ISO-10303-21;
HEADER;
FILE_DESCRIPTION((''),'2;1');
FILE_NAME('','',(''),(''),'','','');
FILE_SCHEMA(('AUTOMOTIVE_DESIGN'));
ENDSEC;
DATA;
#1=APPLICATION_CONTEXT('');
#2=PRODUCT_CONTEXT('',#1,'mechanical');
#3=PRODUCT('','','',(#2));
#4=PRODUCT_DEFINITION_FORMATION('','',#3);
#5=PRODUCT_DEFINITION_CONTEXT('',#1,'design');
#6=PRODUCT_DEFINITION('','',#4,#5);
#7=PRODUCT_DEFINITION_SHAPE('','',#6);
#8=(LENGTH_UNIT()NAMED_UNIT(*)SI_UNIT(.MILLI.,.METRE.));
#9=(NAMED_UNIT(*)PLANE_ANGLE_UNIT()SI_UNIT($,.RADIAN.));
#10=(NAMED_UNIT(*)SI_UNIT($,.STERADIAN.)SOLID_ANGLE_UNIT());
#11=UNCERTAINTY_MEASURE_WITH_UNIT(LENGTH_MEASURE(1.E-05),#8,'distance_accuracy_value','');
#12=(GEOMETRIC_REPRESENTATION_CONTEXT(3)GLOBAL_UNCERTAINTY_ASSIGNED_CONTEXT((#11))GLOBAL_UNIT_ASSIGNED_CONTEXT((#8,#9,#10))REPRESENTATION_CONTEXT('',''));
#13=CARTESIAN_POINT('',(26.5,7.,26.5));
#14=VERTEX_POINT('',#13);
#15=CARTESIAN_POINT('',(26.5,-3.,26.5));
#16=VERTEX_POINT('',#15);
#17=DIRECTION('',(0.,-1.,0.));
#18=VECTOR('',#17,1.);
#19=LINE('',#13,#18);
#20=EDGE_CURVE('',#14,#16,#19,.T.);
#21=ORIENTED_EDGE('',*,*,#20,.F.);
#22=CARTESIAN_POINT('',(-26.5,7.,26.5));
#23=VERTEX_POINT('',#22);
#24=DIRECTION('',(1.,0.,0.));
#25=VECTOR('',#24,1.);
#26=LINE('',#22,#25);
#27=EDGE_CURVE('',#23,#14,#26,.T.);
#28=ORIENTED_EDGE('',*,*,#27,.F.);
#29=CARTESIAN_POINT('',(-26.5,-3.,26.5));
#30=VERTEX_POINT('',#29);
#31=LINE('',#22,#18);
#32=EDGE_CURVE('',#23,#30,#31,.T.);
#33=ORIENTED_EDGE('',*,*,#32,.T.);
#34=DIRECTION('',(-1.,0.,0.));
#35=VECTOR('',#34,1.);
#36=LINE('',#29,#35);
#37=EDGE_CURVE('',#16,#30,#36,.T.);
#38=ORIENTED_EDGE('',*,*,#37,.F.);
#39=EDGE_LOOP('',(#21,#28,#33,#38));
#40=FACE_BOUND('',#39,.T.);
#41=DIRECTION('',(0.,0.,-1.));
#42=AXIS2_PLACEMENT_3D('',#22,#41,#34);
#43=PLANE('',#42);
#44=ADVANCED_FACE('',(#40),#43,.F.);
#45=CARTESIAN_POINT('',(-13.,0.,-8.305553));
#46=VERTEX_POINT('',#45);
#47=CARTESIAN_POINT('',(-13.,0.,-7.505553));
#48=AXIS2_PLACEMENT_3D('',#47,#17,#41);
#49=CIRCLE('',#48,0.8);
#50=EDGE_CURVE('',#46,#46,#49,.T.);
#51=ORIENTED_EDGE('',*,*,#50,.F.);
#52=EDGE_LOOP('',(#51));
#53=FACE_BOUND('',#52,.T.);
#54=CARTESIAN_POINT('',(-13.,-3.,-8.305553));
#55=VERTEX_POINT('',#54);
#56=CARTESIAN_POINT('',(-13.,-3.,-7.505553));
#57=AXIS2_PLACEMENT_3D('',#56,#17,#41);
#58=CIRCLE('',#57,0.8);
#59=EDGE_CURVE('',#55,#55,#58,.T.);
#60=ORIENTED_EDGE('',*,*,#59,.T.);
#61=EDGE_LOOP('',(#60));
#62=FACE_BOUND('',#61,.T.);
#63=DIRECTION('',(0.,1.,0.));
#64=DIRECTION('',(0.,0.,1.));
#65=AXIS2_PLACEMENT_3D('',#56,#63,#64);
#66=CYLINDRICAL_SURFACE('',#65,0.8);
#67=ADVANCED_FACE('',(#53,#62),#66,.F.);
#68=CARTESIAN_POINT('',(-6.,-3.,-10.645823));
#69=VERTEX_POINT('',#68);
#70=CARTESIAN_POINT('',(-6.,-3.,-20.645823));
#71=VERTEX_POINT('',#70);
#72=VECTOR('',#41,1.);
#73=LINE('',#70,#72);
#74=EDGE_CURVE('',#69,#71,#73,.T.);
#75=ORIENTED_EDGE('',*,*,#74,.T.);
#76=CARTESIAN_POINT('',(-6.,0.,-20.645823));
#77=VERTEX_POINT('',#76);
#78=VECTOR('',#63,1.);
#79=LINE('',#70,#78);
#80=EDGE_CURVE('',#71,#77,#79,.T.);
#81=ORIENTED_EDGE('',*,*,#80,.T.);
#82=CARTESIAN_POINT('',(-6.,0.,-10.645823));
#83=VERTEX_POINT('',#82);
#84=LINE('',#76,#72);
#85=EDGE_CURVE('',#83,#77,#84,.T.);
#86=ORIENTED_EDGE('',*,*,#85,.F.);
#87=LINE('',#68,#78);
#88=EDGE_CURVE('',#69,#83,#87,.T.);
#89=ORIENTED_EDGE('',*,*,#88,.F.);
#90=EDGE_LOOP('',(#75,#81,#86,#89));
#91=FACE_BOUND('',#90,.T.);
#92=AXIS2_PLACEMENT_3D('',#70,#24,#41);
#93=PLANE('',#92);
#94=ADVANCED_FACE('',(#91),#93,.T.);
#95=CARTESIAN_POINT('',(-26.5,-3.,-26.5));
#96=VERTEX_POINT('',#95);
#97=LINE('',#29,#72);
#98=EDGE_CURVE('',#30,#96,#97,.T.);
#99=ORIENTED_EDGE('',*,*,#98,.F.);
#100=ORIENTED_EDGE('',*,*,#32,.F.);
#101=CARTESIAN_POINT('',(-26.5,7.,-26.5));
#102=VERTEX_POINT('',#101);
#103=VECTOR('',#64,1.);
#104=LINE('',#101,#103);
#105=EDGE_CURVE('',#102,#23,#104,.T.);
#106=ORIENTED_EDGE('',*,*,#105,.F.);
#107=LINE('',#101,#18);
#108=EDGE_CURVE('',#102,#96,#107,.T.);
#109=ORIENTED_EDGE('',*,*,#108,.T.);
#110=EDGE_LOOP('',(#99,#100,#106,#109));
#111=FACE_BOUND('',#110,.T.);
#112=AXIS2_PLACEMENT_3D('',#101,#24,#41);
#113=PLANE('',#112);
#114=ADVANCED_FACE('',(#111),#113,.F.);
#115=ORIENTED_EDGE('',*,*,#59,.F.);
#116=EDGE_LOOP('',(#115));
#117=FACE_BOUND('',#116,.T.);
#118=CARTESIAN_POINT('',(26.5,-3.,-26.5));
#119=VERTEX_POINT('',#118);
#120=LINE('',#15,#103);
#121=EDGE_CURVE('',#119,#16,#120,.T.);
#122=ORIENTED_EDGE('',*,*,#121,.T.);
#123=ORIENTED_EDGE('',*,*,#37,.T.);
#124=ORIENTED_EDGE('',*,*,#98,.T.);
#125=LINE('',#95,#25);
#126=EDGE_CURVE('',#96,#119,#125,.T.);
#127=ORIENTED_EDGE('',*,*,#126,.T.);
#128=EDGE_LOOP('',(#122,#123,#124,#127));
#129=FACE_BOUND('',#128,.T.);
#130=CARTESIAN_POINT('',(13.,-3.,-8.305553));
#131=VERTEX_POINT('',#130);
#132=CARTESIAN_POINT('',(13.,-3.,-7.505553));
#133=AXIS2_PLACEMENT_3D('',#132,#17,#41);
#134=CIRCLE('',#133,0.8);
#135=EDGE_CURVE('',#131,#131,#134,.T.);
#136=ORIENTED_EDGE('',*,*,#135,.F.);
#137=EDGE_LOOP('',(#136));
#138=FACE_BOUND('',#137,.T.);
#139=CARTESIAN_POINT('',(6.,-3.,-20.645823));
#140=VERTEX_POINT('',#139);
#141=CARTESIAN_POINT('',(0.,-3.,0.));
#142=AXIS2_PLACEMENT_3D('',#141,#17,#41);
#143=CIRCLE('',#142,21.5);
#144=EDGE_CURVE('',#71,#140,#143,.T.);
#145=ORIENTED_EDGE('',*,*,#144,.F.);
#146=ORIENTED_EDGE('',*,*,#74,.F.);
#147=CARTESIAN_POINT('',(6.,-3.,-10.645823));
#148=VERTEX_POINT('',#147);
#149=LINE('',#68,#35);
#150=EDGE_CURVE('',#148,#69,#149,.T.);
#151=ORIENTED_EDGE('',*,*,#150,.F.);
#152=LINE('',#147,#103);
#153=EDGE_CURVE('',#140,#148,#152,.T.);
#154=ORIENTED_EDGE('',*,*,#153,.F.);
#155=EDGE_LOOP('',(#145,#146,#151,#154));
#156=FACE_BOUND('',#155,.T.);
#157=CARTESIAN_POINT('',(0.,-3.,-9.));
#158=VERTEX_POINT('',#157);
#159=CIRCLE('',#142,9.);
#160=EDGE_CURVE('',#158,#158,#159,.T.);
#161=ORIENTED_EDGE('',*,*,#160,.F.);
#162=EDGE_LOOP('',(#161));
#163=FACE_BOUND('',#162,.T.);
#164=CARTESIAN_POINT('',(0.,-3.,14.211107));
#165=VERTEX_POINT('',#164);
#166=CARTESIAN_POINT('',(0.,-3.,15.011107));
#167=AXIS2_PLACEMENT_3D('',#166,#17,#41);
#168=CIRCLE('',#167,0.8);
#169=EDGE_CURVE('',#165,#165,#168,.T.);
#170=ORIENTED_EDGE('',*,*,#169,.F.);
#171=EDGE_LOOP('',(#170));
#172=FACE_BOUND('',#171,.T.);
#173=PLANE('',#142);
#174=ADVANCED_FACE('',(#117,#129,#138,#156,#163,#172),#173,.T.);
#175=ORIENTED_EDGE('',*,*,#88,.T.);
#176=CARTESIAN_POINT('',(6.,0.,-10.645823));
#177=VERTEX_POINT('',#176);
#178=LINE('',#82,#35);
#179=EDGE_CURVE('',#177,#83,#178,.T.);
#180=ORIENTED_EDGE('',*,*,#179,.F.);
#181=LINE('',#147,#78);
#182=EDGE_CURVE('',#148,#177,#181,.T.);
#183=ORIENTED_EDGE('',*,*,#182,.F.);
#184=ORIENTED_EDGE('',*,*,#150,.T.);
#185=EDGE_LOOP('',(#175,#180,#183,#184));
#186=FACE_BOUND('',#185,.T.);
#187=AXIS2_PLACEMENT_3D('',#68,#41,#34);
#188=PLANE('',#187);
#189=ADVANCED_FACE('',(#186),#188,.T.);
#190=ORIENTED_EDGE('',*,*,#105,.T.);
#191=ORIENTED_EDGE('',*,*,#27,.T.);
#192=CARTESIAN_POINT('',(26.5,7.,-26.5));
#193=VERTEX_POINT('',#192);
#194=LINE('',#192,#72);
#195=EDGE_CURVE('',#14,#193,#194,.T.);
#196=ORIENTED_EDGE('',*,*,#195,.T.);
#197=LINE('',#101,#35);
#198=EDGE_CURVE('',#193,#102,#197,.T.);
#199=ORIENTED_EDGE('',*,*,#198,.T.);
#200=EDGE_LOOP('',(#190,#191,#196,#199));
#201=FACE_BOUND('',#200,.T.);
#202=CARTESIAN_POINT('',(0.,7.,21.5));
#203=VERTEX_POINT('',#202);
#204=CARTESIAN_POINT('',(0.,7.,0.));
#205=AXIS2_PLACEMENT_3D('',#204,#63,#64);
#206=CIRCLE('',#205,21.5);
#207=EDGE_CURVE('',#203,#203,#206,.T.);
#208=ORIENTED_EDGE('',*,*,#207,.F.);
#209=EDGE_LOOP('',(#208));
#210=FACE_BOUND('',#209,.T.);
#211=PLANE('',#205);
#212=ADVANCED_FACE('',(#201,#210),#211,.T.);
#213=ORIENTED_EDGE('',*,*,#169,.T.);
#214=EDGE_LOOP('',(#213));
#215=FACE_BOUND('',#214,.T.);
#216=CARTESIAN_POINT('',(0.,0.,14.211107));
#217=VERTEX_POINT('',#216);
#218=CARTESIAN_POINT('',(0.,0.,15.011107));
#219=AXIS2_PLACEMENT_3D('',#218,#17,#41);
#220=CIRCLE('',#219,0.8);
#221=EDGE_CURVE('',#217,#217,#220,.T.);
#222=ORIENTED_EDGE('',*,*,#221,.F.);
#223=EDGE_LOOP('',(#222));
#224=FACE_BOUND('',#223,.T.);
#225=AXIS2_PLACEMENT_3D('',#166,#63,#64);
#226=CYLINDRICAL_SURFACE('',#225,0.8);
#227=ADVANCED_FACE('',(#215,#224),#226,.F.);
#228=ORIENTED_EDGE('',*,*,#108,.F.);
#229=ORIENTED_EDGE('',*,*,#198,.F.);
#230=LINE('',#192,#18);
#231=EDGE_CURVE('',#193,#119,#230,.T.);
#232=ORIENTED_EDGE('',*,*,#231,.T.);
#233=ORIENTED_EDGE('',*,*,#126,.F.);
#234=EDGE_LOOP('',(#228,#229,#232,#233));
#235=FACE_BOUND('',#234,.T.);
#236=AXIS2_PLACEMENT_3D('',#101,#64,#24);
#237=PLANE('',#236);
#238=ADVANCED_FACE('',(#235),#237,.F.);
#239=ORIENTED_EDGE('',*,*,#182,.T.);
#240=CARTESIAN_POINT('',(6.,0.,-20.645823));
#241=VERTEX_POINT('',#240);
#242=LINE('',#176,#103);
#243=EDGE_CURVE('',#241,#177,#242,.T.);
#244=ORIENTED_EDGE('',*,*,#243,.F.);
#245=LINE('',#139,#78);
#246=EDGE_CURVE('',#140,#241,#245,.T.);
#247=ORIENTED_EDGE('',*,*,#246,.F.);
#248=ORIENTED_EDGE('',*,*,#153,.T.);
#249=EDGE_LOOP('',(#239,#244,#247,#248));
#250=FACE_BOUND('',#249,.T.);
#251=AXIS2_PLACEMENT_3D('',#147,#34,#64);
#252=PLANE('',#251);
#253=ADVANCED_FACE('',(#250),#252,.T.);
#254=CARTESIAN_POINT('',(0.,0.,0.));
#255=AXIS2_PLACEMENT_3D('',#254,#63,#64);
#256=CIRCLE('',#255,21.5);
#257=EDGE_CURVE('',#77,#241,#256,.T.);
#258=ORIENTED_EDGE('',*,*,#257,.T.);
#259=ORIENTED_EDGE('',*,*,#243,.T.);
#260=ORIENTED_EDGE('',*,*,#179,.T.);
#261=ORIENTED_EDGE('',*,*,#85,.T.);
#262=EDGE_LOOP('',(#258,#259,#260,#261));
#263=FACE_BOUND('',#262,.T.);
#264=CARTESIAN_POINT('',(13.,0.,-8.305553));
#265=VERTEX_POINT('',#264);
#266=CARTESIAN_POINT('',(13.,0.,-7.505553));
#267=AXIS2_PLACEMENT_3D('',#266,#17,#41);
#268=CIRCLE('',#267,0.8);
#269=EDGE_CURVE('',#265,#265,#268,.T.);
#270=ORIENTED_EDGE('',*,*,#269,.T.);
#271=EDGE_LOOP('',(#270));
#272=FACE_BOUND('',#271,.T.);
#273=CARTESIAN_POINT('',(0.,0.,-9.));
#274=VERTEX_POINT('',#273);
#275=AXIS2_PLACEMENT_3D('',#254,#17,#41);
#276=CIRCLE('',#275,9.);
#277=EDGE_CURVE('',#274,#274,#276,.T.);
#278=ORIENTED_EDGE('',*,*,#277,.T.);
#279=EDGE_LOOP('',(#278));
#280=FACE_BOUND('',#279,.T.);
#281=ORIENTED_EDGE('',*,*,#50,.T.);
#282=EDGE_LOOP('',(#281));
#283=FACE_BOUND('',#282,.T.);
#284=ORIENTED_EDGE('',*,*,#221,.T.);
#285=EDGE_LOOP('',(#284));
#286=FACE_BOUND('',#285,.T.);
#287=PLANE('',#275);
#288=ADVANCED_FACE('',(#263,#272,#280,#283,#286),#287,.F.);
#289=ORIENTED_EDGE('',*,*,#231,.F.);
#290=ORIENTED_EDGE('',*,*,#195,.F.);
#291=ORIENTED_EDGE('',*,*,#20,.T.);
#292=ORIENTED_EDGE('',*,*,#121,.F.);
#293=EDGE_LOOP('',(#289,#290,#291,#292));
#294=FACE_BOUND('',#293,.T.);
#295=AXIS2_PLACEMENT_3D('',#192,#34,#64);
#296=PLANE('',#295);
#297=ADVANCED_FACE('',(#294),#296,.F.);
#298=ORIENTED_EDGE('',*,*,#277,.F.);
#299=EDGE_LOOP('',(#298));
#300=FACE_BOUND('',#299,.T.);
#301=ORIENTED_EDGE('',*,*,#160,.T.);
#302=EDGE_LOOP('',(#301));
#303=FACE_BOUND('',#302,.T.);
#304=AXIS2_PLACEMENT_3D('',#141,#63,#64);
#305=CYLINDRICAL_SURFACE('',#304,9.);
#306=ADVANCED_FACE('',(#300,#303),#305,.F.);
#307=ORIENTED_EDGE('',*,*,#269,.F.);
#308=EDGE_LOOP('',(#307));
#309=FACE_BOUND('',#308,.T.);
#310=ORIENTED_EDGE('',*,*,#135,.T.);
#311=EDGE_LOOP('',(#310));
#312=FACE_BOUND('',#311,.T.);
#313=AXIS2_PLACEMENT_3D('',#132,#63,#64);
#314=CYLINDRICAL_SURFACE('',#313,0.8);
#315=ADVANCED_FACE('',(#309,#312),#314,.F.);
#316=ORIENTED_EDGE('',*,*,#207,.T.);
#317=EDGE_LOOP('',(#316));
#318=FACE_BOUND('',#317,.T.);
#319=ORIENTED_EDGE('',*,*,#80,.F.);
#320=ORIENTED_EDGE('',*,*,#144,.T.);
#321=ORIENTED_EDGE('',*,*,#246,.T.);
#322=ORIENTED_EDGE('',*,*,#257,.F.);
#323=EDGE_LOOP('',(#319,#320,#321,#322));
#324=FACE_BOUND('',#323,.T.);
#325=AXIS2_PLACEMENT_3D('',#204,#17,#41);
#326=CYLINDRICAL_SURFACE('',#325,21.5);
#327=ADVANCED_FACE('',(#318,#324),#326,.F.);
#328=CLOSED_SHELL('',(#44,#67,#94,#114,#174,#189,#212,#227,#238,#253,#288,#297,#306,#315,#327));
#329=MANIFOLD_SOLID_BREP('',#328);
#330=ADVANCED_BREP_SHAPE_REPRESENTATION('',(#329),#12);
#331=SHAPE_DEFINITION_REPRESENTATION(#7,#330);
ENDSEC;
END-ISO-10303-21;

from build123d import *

# Parameters (mm, degrees)
SKETCH_1_W      = 53
SKETCH_1_H      = 53
SKETCH_1_R      = 21.5
EXTRUDE_1_DEPTH = 7
EXTRUDE_START   = 3
SKETCH_2_W      = 53
SKETCH_2_H      = 53
SKETCH_2_R      = 0.8
SKETCH_2_R_2    = 9
EXTRUDE_2_DEPTH = 3


with BuildPart() as part:
    # 草图1 → 凸台-拉伸1 (new body)
    with BuildSketch(Plane(origin=(0, 0, 0), x_dir=(1, 0, 0), z_dir=(0, 1, 0))):
        Rectangle(SKETCH_1_W, SKETCH_1_H)
        with Locations(Location((0, 0, 0), (0, 0, 270))):
            Circle(SKETCH_1_R, mode=Mode.SUBTRACT)
    extrude(amount=EXTRUDE_1_DEPTH)

    # 草图2 → 凸台-拉伸2 (add)
    with BuildSketch(Plane.XZ.offset(EXTRUDE_START)):
        Rectangle(SKETCH_2_W, SKETCH_2_H)
        with Locations(Location((-13, -7.505553499, 0), (0, 0, 270))):
            Circle(SKETCH_2_R, mode=Mode.SUBTRACT)
        with Locations(Location((0, 15.011106999, 0), (0, 0, 270))):
            Circle(SKETCH_2_R, mode=Mode.SUBTRACT)
        with Locations(Location((13, -7.505553499, 0), (0, 0, 270))):
            Circle(SKETCH_2_R, mode=Mode.SUBTRACT)
        with Locations(Location((0, 0, 0), (0, 0, 270))):
            Circle(SKETCH_2_R_2, mode=Mode.SUBTRACT)
        with BuildLine():
            Line((-6, -20.645822822), (-6, -10.645822822))
            Line((-6, -10.645822822), (6, -10.645822822))
            Line((6, -10.645822822), (6, -20.645822822))
            ThreePointArc((6, -20.645822822), (0, -21.5), (-6, -20.645822822))
        make_face(mode=Mode.SUBTRACT)
    extrude(amount=-EXTRUDE_2_DEPTH)


solid = part.part
